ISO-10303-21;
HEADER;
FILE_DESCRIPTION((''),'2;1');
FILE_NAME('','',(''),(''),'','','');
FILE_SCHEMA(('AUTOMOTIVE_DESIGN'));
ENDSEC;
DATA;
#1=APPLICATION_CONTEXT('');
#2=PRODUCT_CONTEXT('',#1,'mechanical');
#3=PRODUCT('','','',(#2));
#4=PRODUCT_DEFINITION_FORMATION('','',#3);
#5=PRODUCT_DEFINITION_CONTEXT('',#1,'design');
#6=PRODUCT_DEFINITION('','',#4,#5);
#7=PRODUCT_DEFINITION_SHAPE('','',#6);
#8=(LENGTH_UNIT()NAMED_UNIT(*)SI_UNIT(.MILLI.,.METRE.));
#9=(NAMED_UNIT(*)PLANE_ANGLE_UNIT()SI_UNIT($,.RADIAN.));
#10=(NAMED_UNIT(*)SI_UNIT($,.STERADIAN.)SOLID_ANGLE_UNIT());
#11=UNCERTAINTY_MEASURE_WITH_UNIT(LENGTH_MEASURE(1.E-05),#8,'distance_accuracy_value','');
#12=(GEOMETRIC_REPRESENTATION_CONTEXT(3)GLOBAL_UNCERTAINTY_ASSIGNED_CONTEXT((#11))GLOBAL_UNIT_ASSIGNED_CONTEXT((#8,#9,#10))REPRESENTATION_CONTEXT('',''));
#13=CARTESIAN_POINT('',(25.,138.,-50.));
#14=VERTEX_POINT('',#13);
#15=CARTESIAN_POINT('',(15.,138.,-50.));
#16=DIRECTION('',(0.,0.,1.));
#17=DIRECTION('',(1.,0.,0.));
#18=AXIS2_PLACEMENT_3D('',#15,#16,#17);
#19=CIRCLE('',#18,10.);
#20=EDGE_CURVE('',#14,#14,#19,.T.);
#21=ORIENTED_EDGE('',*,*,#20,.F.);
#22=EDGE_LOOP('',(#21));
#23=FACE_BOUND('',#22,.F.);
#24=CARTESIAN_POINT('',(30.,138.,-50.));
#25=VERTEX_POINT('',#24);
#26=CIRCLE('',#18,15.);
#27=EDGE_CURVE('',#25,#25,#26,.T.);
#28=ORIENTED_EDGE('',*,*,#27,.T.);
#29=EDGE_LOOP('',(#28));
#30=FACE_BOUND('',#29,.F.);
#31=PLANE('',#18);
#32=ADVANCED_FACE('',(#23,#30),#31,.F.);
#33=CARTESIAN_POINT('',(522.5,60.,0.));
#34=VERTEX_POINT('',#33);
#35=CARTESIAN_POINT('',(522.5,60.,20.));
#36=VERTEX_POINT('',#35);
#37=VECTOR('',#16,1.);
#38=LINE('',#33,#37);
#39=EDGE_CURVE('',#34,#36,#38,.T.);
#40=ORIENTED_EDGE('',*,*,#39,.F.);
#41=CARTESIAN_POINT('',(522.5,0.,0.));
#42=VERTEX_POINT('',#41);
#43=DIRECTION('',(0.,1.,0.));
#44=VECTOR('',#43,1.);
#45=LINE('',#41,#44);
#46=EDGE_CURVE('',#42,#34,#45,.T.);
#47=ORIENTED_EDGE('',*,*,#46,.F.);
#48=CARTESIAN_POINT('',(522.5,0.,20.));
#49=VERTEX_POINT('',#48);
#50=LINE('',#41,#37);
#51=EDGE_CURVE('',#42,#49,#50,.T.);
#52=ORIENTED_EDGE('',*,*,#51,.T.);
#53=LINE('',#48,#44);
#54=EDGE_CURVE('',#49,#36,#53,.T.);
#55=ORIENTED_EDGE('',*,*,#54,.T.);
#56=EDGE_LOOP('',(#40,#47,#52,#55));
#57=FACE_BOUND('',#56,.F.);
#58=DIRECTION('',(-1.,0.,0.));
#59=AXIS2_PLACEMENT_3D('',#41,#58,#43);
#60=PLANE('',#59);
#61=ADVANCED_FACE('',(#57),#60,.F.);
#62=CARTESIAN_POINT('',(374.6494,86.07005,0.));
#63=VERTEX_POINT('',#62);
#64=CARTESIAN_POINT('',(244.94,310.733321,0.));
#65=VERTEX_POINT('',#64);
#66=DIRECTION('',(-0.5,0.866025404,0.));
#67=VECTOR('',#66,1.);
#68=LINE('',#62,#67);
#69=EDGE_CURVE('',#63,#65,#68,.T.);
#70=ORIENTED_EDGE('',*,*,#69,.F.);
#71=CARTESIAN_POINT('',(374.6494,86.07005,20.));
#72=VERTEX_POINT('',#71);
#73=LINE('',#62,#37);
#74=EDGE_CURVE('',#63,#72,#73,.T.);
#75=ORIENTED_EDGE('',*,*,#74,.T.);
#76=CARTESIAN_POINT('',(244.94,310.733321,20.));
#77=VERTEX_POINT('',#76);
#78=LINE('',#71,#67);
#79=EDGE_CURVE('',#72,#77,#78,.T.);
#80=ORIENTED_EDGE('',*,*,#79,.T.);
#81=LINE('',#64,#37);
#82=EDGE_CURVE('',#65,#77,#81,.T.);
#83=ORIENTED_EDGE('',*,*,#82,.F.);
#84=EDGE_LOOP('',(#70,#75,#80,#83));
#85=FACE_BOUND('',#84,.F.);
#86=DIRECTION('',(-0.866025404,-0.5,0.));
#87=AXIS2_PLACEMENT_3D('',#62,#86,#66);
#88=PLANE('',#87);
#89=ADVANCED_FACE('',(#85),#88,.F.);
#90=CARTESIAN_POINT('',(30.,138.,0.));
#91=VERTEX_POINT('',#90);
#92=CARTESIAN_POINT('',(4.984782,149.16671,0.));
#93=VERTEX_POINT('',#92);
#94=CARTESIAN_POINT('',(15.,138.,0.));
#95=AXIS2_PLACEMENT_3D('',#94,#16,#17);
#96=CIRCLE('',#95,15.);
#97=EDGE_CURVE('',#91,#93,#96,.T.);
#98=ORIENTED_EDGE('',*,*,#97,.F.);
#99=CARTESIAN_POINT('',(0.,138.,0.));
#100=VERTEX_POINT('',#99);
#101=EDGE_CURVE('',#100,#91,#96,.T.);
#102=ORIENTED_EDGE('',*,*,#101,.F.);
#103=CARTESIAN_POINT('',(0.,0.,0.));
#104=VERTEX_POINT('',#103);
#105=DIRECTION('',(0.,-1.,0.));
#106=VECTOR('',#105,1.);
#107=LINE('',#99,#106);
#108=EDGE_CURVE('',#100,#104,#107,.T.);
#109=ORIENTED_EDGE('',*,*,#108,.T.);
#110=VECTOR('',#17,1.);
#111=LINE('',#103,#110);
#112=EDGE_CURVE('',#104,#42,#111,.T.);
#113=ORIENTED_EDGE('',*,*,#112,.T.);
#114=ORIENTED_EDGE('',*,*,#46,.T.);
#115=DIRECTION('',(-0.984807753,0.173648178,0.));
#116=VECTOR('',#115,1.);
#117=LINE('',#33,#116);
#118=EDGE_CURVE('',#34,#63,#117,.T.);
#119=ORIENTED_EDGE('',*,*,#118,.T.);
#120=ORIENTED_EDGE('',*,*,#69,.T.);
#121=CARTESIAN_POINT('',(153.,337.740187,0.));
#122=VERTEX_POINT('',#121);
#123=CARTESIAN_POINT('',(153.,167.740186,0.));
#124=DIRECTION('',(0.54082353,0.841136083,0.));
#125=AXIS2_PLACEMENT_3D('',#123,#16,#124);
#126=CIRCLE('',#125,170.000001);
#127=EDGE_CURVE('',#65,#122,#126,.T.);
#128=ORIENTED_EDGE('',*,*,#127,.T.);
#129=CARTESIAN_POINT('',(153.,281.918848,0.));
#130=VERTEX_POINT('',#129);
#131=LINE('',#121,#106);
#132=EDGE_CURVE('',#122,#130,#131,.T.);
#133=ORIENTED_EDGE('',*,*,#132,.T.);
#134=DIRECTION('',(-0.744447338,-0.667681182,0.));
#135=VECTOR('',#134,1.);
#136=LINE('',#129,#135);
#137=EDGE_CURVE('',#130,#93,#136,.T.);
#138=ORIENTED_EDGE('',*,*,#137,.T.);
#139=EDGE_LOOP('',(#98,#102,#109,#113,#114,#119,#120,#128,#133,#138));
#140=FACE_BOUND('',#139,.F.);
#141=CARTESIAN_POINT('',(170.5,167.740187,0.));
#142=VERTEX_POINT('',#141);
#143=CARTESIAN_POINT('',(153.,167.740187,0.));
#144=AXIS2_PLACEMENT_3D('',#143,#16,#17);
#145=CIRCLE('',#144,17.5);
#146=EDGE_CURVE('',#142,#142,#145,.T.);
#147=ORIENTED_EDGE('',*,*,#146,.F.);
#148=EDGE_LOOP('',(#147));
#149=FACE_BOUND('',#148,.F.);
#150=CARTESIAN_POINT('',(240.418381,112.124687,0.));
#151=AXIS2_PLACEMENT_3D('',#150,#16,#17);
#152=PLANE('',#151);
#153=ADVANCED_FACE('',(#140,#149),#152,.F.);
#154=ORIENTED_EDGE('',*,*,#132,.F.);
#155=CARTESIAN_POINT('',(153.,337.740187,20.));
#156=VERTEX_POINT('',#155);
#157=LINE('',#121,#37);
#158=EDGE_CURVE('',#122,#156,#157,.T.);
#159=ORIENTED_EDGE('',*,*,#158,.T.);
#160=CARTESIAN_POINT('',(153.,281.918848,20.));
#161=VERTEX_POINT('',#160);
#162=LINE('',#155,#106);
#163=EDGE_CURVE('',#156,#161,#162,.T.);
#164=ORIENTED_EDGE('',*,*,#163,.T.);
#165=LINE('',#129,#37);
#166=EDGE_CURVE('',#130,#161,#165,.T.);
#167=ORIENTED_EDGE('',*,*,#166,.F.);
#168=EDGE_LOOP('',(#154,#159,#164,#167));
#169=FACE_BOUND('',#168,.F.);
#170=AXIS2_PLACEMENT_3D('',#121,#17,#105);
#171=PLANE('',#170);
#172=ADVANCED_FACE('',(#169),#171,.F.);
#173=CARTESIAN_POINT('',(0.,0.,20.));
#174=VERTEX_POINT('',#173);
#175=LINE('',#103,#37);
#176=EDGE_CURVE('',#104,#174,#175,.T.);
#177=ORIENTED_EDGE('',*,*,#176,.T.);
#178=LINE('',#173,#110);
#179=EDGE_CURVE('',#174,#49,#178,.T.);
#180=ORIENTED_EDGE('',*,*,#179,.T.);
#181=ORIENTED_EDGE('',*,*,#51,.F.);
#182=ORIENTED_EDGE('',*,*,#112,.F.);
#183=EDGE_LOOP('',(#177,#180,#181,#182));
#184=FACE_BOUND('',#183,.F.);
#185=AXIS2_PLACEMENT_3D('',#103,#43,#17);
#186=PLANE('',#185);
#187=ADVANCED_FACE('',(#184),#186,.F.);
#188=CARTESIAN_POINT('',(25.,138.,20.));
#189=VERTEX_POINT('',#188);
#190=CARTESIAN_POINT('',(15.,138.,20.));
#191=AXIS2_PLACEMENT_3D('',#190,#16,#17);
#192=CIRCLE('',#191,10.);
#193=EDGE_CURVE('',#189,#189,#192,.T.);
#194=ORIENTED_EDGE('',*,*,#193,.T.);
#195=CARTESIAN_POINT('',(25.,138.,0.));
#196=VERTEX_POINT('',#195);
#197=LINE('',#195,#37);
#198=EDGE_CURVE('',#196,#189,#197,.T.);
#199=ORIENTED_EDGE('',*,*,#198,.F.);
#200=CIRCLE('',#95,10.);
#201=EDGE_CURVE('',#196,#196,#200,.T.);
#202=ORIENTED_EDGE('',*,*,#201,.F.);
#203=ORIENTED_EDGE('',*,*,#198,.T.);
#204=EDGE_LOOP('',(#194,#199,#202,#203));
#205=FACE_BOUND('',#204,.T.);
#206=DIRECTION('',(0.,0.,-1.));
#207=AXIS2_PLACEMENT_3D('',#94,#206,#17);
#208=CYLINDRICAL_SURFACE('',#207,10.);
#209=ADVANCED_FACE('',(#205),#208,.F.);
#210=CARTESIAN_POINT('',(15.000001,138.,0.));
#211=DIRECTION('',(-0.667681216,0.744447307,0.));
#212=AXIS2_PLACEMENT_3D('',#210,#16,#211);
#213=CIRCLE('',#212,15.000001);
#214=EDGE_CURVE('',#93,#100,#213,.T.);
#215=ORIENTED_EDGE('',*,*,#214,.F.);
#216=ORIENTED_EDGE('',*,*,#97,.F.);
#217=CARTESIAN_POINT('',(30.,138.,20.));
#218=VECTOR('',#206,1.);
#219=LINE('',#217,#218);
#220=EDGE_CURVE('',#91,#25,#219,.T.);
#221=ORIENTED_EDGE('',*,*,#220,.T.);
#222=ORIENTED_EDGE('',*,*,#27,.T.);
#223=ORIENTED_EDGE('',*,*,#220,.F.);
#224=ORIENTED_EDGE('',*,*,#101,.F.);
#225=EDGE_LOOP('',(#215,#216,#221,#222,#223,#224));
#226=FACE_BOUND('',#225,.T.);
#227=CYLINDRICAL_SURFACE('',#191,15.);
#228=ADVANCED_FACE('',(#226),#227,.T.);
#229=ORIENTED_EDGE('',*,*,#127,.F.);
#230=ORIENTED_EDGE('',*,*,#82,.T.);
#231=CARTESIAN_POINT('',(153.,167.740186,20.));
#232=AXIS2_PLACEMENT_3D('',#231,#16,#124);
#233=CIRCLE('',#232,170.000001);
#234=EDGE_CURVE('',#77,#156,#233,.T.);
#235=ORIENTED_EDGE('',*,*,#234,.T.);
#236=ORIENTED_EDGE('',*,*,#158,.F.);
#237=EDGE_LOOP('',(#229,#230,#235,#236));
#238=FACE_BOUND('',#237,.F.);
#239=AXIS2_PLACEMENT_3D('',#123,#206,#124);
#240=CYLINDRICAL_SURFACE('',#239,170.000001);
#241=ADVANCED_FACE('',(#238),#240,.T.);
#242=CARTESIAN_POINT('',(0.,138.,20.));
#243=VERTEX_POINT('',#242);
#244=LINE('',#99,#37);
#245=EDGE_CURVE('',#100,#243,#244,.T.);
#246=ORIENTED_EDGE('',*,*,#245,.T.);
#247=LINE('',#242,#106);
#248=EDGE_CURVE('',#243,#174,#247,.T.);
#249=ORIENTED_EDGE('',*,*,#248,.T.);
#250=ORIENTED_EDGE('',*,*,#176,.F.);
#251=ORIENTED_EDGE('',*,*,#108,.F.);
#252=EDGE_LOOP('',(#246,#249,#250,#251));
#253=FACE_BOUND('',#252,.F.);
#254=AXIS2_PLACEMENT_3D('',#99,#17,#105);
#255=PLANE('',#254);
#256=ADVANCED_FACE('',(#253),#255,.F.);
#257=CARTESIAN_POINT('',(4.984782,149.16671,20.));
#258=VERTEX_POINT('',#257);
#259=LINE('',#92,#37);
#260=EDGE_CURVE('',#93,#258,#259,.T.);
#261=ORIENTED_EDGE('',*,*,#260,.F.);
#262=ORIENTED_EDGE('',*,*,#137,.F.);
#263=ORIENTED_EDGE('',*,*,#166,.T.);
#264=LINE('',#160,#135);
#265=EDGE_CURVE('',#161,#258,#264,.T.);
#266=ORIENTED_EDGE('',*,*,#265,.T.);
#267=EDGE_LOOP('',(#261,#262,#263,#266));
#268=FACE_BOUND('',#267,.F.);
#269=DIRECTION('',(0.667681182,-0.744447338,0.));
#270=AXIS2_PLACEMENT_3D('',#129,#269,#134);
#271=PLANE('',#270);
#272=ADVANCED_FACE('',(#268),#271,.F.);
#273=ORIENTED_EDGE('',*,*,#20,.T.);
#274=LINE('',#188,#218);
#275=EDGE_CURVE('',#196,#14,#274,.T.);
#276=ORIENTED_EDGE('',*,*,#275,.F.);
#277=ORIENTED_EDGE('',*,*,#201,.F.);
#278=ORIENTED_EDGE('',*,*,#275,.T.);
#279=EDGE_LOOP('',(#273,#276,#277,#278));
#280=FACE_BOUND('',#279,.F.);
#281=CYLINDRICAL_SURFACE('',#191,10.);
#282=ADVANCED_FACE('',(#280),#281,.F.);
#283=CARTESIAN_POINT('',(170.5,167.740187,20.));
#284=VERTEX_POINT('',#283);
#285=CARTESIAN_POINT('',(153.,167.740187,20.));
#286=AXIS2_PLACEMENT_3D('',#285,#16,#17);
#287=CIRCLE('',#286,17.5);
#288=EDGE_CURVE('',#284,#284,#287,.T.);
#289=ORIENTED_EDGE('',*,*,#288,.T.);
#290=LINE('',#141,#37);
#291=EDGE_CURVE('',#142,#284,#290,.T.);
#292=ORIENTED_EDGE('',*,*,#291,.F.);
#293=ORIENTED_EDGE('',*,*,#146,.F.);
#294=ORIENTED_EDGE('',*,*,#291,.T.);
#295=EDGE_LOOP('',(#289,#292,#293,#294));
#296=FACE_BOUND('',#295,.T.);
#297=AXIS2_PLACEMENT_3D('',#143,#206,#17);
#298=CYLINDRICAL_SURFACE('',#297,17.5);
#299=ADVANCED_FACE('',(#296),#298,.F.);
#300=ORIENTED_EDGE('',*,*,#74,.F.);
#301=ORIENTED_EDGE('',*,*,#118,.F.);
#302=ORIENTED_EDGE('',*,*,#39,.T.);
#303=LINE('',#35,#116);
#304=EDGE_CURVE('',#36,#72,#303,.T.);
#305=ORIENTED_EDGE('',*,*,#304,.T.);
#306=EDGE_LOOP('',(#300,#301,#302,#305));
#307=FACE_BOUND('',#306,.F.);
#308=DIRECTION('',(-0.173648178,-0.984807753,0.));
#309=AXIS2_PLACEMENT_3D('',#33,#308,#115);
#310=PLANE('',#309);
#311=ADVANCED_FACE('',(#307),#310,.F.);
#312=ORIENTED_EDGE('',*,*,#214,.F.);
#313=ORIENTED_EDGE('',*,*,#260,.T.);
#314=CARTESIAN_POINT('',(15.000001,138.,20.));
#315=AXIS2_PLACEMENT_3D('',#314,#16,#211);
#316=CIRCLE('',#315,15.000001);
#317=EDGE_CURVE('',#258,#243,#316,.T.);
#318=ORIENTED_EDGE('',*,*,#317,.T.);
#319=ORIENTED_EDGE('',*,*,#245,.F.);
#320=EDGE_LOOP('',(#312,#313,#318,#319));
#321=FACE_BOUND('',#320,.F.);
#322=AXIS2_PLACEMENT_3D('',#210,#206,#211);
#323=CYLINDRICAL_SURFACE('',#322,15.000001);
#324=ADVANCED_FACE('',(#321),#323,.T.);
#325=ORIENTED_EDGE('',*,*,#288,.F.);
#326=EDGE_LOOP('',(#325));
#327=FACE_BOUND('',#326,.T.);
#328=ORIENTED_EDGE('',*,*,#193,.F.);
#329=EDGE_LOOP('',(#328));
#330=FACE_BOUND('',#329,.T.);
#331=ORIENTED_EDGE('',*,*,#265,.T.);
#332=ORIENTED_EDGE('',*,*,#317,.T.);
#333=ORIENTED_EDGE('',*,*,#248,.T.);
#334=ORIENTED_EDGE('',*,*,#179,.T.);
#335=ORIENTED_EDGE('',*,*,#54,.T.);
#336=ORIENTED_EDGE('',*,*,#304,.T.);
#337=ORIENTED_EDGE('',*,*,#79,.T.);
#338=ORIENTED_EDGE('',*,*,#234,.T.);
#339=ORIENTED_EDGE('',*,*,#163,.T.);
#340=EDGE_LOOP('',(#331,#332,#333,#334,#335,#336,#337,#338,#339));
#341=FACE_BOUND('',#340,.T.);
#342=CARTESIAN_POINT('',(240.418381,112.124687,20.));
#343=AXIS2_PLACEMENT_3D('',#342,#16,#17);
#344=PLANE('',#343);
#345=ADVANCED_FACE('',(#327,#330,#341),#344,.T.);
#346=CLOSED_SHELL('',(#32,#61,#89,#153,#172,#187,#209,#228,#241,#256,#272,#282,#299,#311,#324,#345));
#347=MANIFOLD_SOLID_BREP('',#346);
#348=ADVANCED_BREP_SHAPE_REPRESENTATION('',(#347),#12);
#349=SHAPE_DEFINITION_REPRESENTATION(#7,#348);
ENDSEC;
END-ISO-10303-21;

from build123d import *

# Parameters (mm, degrees)
SKETCH1_R           = 17.5
SKETCH1_R_2         = 10
BOSS_EXTRUDE1_DEPTH = 20
SKETCH2_R           = 15
SKETCH2_R_2         = 10
BOSS_EXTRUDE2_DEPTH = 70


with BuildPart() as part:
    # Sketch1 → Boss-Extrude1 (new body)
    with BuildSketch(Plane.XY):
        with BuildLine():
            Line((0, 138), (0, 0))
            Line((0, 0), (522.5, 0))
            Line((522.5, 0), (522.5, 60))
            Line((522.5, 60), (374.6494, 86.07005))
            Line((374.6494, 86.07005), (244.94, 310.733321))
            ThreePointArc((244.94, 310.733321), (200.912249, 330.84879), (153, 337.740187))
            Line((153, 337.740187), (153, 281.918848))
            Line((153, 281.918848), (4.984782, 149.16671))
            ThreePointArc((4.984782, 149.16671), (1.302769, 144.114398), (0, 138))
        make_face()
        with Locations((153, 167.740187)):
            Circle(SKETCH1_R, mode=Mode.SUBTRACT)
        with Locations((15, 138)):
            Circle(SKETCH1_R_2, mode=Mode.SUBTRACT)
    extrude(amount=BOSS_EXTRUDE1_DEPTH)

    # Sketch2 → Boss-Extrude2 (add)
    with BuildSketch(Plane.XY.offset(20)):
        with Locations((15, 138)):
            Circle(SKETCH2_R)
        with Locations((15, 138)):
            Circle(SKETCH2_R_2, mode=Mode.SUBTRACT)
    extrude(amount=-BOSS_EXTRUDE2_DEPTH)


solid = part.part
